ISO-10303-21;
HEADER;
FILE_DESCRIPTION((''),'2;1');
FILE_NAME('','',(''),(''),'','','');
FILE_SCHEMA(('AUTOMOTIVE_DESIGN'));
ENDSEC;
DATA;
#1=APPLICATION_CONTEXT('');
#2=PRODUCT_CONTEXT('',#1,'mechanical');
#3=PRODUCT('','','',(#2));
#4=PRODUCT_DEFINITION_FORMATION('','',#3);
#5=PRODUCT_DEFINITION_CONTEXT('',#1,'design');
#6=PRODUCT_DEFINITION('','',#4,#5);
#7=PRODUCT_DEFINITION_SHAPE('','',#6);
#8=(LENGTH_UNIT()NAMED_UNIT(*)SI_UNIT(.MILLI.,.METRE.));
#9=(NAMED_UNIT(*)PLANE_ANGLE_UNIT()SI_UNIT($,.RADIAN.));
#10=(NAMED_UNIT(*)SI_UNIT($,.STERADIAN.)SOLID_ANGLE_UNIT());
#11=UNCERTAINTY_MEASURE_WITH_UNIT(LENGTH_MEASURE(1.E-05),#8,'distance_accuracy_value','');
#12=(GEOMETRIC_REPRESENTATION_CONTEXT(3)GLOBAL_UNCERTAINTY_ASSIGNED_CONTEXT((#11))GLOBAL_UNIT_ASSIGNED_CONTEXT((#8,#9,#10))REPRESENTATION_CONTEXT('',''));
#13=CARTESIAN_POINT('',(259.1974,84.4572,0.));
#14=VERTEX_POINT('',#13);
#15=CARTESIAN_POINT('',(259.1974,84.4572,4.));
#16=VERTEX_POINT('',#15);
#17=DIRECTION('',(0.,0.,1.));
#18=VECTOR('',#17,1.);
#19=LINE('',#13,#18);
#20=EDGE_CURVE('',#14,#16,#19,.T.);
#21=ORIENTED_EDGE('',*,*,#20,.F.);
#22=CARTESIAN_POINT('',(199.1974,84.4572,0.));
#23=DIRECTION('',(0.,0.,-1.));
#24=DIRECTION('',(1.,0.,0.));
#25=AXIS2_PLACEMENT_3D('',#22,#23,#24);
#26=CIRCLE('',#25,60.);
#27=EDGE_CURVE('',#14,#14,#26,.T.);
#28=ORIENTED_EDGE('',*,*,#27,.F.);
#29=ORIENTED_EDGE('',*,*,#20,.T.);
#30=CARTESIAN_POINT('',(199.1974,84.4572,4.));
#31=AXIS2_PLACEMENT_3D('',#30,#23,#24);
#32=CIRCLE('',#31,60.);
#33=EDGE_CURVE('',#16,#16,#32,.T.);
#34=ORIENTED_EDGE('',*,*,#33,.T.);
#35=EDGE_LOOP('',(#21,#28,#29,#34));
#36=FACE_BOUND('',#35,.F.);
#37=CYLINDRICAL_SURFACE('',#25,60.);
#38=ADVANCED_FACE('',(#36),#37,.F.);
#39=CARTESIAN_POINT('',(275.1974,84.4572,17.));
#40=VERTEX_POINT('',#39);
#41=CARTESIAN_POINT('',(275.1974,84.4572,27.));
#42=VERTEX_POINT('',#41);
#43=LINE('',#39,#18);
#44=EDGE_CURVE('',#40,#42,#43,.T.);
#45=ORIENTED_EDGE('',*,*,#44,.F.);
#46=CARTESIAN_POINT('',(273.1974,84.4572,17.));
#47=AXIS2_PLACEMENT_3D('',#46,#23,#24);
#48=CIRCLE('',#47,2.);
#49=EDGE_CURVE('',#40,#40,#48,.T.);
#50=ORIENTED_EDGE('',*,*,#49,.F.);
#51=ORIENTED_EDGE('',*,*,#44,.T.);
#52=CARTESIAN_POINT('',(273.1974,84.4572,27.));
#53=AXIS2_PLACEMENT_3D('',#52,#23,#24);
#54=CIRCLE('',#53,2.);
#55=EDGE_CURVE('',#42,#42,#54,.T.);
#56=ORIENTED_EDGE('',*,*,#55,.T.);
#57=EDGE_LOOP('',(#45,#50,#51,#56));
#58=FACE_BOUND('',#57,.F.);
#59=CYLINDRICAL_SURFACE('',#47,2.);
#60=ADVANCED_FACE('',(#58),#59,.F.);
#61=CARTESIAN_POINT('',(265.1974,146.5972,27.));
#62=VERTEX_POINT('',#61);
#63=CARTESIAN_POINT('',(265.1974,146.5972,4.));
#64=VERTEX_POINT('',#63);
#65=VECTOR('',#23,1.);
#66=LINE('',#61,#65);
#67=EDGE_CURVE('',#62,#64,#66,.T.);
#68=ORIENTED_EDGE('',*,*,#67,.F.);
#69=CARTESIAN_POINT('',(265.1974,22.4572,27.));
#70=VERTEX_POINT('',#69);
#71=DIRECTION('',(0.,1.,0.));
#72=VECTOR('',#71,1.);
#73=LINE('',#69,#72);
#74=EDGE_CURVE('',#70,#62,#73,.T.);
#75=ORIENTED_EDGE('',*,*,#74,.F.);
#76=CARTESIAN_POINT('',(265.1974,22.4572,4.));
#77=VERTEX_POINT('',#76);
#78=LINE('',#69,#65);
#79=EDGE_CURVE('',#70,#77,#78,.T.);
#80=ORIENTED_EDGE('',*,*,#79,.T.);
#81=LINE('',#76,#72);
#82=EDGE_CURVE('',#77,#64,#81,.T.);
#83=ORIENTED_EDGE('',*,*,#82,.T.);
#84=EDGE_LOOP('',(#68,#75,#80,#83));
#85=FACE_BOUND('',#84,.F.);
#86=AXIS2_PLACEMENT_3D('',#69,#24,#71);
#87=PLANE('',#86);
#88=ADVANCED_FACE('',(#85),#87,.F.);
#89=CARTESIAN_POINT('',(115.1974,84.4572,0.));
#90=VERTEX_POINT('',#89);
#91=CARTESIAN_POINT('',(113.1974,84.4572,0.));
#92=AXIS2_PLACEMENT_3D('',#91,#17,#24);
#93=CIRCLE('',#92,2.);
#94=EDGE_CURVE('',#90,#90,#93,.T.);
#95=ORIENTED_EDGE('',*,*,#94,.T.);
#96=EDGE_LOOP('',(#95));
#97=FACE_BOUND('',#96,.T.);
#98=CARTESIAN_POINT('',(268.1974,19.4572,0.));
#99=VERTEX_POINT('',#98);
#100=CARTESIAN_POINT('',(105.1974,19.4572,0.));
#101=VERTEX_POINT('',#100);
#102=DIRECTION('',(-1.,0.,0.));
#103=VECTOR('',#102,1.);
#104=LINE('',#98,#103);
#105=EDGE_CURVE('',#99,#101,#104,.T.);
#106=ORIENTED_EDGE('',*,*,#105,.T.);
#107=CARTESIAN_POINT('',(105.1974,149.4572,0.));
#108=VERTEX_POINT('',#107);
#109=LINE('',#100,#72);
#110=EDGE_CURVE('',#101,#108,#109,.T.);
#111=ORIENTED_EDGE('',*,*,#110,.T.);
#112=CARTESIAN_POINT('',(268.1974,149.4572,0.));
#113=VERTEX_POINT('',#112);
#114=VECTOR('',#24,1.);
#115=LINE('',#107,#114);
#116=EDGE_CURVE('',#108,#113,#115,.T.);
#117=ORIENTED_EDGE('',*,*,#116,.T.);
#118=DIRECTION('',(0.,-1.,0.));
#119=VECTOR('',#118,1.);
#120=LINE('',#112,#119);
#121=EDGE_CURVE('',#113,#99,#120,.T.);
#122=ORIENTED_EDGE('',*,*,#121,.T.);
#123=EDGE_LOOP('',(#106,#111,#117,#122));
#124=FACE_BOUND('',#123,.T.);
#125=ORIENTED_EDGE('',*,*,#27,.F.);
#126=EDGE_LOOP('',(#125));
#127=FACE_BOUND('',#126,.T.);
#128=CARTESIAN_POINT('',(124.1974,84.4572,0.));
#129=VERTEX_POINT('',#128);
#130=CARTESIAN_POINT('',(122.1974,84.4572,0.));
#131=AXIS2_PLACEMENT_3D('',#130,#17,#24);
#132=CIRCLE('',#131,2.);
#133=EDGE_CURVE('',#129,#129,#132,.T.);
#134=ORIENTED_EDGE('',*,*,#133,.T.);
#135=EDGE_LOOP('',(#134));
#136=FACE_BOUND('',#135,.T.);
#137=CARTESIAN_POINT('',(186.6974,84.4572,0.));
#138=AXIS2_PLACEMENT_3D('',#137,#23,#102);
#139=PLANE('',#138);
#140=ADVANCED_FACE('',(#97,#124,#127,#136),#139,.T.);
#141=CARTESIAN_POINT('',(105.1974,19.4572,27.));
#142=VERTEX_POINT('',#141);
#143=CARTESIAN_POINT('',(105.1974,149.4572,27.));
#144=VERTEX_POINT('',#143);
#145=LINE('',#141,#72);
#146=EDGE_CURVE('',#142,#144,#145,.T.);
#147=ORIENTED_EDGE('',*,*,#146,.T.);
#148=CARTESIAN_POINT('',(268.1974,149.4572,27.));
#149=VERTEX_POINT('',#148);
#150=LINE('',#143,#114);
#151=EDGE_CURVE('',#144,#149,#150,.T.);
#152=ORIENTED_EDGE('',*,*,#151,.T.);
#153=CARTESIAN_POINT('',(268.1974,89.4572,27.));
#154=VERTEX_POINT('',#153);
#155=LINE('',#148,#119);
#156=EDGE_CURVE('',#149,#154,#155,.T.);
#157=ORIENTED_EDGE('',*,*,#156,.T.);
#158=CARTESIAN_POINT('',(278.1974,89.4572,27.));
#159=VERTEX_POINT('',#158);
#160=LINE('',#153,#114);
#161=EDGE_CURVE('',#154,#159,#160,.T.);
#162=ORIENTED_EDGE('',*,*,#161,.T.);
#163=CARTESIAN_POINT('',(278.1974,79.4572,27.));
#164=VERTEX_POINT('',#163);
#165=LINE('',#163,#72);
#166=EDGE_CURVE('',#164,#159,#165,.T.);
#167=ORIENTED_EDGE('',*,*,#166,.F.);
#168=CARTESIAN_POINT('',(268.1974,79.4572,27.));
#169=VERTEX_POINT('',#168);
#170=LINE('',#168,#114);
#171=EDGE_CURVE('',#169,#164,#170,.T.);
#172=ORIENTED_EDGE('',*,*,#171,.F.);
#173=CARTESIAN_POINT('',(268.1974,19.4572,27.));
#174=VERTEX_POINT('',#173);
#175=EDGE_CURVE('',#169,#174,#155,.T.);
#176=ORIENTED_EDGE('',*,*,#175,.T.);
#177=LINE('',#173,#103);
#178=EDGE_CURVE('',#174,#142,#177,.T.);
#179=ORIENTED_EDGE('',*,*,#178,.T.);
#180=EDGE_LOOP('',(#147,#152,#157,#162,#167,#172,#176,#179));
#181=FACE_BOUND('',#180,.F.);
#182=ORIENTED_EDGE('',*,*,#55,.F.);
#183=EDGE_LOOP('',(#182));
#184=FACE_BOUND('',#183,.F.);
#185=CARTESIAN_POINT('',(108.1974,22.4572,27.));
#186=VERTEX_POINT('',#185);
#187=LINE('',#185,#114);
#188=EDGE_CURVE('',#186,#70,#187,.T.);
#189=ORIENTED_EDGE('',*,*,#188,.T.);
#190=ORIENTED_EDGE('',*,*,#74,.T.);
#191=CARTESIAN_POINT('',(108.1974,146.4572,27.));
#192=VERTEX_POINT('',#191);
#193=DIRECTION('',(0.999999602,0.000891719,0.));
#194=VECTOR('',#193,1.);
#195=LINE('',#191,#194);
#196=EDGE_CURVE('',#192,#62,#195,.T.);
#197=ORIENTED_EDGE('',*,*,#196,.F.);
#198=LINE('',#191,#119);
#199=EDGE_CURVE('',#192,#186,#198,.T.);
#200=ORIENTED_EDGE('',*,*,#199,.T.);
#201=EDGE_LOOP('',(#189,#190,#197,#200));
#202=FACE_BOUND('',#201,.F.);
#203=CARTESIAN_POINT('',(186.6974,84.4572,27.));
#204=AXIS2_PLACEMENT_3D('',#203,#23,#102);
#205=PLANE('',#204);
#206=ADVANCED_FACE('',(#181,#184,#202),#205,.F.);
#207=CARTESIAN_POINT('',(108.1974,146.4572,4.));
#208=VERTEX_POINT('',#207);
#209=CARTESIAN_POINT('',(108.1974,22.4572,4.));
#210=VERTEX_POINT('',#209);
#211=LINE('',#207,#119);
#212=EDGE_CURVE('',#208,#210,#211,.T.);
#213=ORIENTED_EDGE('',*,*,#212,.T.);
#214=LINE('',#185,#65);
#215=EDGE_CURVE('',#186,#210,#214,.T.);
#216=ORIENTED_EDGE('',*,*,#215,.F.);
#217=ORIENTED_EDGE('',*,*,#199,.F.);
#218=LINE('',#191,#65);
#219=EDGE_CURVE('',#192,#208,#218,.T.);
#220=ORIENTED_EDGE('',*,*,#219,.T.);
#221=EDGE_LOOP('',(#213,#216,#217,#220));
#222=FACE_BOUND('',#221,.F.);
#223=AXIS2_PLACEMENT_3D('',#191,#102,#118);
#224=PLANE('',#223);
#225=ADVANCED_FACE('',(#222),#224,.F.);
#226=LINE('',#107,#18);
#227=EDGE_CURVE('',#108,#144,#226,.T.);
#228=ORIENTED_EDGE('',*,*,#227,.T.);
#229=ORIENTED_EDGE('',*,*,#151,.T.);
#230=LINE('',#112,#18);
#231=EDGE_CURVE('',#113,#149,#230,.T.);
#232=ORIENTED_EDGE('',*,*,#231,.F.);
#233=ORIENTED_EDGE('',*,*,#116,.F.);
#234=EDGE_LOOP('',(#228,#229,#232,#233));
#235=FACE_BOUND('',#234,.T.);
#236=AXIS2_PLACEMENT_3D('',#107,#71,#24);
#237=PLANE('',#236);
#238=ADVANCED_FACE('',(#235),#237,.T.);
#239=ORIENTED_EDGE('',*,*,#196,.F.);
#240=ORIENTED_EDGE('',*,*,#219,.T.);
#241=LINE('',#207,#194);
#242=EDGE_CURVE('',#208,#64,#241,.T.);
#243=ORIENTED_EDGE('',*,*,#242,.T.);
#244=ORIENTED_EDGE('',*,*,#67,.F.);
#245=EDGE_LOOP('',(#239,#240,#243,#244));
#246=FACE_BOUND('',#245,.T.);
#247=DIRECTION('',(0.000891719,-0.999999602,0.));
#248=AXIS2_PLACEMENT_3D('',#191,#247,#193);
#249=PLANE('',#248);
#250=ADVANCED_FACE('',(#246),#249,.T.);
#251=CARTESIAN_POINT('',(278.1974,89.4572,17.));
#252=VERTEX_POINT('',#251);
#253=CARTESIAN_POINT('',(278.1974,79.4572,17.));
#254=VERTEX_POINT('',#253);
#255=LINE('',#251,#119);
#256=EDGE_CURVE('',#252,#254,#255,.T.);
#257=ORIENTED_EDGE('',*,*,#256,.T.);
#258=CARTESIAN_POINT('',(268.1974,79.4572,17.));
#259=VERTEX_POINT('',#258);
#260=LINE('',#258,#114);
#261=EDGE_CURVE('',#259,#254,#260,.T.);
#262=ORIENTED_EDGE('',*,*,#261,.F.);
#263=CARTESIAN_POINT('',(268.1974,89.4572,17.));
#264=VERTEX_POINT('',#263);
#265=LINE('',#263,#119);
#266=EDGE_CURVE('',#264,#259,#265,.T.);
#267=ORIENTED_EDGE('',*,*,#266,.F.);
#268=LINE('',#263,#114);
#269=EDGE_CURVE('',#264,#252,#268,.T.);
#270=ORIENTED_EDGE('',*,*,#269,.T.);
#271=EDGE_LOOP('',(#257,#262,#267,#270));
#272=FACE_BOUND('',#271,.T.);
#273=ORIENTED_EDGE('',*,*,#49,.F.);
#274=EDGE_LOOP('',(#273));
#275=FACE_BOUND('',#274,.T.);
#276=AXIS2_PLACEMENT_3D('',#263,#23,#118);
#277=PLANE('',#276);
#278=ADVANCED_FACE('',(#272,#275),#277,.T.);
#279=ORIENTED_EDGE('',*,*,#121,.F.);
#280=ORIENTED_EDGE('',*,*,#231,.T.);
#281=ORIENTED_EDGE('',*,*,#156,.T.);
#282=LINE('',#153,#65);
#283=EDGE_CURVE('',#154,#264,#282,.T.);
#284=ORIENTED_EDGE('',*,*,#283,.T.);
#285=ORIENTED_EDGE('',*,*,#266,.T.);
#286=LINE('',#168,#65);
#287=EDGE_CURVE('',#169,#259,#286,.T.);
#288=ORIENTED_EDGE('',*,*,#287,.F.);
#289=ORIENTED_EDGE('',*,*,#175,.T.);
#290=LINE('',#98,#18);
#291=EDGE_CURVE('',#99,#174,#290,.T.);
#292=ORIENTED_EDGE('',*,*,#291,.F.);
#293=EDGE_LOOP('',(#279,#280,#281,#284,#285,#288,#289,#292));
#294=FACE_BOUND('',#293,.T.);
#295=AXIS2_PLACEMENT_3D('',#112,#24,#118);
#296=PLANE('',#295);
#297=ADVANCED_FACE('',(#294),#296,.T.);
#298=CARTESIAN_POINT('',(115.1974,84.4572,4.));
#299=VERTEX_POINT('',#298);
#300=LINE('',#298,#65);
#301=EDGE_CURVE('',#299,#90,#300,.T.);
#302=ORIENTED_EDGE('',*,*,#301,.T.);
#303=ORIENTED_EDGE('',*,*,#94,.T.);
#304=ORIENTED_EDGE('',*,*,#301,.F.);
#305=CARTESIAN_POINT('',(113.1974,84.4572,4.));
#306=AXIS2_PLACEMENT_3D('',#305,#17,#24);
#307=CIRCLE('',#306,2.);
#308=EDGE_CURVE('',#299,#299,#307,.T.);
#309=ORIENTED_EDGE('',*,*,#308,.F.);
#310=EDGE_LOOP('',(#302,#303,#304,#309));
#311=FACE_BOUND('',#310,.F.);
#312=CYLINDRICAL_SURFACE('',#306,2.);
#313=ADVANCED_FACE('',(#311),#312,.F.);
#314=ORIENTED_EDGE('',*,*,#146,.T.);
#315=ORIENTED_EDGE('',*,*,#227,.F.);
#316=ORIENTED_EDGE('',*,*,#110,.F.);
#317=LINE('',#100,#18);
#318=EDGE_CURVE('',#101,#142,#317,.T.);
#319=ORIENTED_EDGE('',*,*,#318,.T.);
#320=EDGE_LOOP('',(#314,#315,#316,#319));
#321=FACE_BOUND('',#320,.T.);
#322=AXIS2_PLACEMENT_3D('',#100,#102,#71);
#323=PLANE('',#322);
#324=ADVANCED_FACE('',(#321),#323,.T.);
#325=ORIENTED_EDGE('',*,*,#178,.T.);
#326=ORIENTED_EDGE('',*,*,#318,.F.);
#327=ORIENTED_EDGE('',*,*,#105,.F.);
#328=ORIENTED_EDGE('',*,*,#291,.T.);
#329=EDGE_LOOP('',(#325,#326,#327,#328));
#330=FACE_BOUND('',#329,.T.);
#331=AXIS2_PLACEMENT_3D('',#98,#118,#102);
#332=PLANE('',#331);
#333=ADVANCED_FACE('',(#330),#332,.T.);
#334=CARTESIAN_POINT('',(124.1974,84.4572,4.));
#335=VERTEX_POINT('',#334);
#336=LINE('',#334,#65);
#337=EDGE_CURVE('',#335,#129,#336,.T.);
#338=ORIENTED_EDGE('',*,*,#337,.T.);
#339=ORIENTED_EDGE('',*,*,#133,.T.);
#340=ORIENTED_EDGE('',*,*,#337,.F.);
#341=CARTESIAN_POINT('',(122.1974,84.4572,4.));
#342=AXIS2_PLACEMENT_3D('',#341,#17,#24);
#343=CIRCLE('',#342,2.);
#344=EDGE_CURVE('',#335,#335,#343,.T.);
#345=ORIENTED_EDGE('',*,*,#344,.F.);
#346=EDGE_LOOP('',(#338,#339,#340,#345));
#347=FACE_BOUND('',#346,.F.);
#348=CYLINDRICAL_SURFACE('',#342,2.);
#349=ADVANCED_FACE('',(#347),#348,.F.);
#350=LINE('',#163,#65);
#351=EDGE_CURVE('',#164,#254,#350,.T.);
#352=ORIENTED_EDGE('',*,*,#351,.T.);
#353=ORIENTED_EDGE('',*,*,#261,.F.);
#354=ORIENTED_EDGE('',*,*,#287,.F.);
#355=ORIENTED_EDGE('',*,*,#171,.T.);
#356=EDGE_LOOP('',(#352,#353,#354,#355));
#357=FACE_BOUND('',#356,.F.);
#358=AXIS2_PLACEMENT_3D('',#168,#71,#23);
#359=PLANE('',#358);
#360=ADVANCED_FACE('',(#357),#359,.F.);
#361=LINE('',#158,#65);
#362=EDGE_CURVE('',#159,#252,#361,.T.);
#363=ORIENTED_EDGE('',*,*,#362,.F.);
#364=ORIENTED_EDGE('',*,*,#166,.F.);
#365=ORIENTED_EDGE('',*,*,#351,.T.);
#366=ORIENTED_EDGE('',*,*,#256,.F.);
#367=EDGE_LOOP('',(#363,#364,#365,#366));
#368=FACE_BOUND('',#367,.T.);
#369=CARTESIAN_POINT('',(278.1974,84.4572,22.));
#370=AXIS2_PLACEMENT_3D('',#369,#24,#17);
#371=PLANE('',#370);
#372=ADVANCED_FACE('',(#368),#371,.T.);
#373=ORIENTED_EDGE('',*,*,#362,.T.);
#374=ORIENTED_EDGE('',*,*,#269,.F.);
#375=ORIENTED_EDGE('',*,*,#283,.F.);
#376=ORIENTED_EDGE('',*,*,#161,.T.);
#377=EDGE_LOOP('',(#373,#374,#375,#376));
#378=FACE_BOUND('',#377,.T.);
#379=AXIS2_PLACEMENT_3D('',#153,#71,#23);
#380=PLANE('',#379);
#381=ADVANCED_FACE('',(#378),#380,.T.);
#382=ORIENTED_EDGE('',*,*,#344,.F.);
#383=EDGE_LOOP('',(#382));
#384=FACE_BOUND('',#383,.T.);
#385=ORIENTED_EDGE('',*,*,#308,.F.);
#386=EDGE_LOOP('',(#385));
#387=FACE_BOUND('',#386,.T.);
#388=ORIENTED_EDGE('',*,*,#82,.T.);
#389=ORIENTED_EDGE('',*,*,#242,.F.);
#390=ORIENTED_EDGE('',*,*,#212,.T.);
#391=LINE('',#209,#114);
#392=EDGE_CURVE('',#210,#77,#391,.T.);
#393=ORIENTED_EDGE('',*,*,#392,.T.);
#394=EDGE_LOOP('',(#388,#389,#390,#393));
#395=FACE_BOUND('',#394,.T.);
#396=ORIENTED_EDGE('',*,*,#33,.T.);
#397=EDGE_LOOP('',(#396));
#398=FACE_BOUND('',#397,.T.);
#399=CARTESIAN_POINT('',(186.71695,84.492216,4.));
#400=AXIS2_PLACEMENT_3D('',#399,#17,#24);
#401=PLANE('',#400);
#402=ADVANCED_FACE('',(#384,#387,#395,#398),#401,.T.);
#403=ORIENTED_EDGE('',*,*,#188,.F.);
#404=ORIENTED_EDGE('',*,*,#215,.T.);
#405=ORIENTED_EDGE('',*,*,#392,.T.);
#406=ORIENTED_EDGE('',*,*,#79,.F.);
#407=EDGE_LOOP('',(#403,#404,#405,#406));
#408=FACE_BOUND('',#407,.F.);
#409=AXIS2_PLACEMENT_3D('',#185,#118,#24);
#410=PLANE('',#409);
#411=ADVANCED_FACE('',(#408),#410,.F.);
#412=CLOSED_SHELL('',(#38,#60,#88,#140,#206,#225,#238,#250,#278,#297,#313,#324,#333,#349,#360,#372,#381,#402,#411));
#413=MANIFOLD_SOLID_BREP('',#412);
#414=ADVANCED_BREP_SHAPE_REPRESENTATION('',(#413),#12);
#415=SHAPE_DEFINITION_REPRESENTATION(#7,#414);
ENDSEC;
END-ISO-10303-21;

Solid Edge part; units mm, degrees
sketch "Sketch1" plane through (0, 0, 0) normal (0, 0, 1) x (1, 0, 0)
  line L0 (105.1974, 149.4572) -> (268.1974, 149.4572)
  line L1 (268.1974, 149.4572) -> (268.1974, 19.4572)
  line L2 (268.1974, 19.4572) -> (105.1974, 19.4572)
  line L3 (105.1974, 19.4572) -> (105.1974, 149.4572)
  dimension "D1" = 163
  dimension "D2" = 130
extrude "Protrusion1" add sketch "Sketch1" along normal blind 27
sketch "Sketch2" plane through (170.1974, 84.4572, 27) normal (0, 0, 1) x (1, 0, 0)
  line L0 (-62, 62) -> (-62, -62)
  line L1 (-62, -62) -> (95, -62)
  line L2 (95, -62) -> (95, 62.14)
  line L3 (-62, 62) -> (95, 62.14)
  dimension "D1" = 3
  dimension "D2" = 3
  dimension "D3" = 3
  dimension "D4" = 3
  dimension "D5" = 3
extrude "ExtrudedCutout_1" cut sketch "Sketch2" against normal blind 23
sketch "Sketch3" plane through (170.1974, 84.5136, 4) normal (0, 0, 1) x (1, 0, 0)
  circle A0 centre (-57, -0.0564) radius 2
  circle A1 centre (-48, -0.0564) radius 2
  dimension "D1" = 4
  dimension "D2" = 5
  dimension "D3" = 4
  dimension "D4" = 9
extrude "Cutout1" cut sketch "Sketch3" against normal through all
sketch "Sketch4" plane through (186.6974, 84.4572, 0) normal (0, 0, -1) x (1, 0, 0)
  circle A0 centre (12.5, 0) radius 60
  dimension "D1" = 120
  dimension "D2" = 94
extrude "Cutout2" cut sketch "Sketch4" against normal through all
sketch "Sketch5" plane through (268.1974, 84.4572, 13.5) normal (1, 0, 0) x (0, 0, 1)
  line L0 (13.5, 0) -> (13.5, 5)
  line L1 (13.5, 5) -> (3.5, 5)
  line L2 (3.5, -5) -> (3.5, 5)
  line L3 (13.5, -5) -> (3.5, -5)
  line L4 (13.5, 0) -> (13.5, -5)
  dimension "D1" = 5
  dimension "D2" = 5
  dimension "D3" = 10
  dimension "D4" = 10
extrude "ExtrudedProtrusion_7" add sketch "Sketch5" along normal blind 10
sketch "Sketch6" plane through (273.1974, 84.4572, 17) normal (0, 0, -1) x (1, 0, 0)
  circle A0 centre (0, 0) radius 2
  dimension "D1" = 4
  dimension "D2" = 5
  dimension "D3" = 5
extrude "Cutout3" cut sketch "Sketch6" against normal through all
